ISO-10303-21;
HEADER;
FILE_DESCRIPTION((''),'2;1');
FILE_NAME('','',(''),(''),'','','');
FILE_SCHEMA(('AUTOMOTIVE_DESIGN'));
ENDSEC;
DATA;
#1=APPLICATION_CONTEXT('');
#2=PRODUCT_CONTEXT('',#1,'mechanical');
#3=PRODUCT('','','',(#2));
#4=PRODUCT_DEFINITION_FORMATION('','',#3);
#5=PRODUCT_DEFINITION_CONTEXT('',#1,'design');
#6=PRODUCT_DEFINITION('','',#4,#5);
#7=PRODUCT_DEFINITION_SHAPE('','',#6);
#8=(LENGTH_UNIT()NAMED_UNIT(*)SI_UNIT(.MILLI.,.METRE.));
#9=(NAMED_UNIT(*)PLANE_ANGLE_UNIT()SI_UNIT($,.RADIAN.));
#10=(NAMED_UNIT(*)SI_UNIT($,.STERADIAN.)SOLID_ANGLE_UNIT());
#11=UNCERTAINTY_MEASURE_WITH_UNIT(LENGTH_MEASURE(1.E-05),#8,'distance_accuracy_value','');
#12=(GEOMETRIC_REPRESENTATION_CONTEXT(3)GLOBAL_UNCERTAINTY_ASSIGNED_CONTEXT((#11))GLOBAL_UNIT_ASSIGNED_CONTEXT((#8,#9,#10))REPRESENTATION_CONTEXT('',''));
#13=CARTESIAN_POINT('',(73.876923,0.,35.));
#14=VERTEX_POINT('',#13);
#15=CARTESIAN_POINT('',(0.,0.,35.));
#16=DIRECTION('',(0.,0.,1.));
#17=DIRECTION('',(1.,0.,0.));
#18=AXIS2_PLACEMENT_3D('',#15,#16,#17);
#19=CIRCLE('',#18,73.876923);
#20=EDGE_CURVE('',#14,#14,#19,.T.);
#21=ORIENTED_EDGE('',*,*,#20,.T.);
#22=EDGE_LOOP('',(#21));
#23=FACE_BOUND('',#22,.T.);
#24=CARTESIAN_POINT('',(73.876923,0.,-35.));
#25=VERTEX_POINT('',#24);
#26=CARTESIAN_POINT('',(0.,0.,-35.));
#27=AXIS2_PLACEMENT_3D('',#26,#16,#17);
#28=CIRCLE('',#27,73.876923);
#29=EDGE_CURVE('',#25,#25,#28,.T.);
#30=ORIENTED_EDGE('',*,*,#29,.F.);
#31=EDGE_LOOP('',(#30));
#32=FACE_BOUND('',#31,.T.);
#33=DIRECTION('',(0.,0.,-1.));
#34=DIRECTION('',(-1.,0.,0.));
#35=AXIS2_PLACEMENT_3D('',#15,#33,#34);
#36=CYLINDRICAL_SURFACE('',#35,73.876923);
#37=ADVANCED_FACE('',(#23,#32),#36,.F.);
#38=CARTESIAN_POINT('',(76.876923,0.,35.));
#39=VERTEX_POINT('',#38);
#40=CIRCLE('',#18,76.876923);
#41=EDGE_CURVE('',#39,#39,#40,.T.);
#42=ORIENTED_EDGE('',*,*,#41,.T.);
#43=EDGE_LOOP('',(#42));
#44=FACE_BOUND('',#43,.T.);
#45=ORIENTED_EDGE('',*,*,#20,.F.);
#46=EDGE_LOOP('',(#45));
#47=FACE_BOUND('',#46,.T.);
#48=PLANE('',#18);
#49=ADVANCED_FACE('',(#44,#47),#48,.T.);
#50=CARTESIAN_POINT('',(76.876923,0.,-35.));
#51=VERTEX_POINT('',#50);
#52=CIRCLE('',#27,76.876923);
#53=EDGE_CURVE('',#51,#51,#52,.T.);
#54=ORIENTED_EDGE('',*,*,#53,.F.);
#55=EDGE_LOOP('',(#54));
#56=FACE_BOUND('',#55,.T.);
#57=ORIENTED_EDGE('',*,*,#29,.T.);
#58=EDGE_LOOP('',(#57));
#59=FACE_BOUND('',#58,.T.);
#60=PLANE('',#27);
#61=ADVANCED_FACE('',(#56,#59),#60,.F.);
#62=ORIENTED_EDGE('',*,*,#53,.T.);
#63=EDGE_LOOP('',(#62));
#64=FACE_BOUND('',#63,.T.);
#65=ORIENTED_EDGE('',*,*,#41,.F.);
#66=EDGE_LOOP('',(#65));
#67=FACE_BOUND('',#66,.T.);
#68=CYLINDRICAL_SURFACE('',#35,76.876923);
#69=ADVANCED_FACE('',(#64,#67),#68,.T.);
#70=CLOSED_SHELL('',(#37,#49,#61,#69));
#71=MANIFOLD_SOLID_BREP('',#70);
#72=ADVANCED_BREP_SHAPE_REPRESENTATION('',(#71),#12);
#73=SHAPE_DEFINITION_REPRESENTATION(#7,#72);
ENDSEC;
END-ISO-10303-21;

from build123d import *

# Parameters (mm, degrees)
ROTOR_SHELL_START = -35
SKETCH_1_R        = 76.876923077
SKETCH_1_R_2      = 73.876923077
ROTOR_SHELL_DEPTH = 70


with BuildPart() as part:
    # Эскиз1 → Rotor_shell (new body)
    with BuildSketch(Plane.XY.offset(ROTOR_SHELL_START)):
        Circle(SKETCH_1_R)
        Circle(SKETCH_1_R_2, mode=Mode.SUBTRACT)
    extrude(amount=ROTOR_SHELL_DEPTH)


solid = part.part
